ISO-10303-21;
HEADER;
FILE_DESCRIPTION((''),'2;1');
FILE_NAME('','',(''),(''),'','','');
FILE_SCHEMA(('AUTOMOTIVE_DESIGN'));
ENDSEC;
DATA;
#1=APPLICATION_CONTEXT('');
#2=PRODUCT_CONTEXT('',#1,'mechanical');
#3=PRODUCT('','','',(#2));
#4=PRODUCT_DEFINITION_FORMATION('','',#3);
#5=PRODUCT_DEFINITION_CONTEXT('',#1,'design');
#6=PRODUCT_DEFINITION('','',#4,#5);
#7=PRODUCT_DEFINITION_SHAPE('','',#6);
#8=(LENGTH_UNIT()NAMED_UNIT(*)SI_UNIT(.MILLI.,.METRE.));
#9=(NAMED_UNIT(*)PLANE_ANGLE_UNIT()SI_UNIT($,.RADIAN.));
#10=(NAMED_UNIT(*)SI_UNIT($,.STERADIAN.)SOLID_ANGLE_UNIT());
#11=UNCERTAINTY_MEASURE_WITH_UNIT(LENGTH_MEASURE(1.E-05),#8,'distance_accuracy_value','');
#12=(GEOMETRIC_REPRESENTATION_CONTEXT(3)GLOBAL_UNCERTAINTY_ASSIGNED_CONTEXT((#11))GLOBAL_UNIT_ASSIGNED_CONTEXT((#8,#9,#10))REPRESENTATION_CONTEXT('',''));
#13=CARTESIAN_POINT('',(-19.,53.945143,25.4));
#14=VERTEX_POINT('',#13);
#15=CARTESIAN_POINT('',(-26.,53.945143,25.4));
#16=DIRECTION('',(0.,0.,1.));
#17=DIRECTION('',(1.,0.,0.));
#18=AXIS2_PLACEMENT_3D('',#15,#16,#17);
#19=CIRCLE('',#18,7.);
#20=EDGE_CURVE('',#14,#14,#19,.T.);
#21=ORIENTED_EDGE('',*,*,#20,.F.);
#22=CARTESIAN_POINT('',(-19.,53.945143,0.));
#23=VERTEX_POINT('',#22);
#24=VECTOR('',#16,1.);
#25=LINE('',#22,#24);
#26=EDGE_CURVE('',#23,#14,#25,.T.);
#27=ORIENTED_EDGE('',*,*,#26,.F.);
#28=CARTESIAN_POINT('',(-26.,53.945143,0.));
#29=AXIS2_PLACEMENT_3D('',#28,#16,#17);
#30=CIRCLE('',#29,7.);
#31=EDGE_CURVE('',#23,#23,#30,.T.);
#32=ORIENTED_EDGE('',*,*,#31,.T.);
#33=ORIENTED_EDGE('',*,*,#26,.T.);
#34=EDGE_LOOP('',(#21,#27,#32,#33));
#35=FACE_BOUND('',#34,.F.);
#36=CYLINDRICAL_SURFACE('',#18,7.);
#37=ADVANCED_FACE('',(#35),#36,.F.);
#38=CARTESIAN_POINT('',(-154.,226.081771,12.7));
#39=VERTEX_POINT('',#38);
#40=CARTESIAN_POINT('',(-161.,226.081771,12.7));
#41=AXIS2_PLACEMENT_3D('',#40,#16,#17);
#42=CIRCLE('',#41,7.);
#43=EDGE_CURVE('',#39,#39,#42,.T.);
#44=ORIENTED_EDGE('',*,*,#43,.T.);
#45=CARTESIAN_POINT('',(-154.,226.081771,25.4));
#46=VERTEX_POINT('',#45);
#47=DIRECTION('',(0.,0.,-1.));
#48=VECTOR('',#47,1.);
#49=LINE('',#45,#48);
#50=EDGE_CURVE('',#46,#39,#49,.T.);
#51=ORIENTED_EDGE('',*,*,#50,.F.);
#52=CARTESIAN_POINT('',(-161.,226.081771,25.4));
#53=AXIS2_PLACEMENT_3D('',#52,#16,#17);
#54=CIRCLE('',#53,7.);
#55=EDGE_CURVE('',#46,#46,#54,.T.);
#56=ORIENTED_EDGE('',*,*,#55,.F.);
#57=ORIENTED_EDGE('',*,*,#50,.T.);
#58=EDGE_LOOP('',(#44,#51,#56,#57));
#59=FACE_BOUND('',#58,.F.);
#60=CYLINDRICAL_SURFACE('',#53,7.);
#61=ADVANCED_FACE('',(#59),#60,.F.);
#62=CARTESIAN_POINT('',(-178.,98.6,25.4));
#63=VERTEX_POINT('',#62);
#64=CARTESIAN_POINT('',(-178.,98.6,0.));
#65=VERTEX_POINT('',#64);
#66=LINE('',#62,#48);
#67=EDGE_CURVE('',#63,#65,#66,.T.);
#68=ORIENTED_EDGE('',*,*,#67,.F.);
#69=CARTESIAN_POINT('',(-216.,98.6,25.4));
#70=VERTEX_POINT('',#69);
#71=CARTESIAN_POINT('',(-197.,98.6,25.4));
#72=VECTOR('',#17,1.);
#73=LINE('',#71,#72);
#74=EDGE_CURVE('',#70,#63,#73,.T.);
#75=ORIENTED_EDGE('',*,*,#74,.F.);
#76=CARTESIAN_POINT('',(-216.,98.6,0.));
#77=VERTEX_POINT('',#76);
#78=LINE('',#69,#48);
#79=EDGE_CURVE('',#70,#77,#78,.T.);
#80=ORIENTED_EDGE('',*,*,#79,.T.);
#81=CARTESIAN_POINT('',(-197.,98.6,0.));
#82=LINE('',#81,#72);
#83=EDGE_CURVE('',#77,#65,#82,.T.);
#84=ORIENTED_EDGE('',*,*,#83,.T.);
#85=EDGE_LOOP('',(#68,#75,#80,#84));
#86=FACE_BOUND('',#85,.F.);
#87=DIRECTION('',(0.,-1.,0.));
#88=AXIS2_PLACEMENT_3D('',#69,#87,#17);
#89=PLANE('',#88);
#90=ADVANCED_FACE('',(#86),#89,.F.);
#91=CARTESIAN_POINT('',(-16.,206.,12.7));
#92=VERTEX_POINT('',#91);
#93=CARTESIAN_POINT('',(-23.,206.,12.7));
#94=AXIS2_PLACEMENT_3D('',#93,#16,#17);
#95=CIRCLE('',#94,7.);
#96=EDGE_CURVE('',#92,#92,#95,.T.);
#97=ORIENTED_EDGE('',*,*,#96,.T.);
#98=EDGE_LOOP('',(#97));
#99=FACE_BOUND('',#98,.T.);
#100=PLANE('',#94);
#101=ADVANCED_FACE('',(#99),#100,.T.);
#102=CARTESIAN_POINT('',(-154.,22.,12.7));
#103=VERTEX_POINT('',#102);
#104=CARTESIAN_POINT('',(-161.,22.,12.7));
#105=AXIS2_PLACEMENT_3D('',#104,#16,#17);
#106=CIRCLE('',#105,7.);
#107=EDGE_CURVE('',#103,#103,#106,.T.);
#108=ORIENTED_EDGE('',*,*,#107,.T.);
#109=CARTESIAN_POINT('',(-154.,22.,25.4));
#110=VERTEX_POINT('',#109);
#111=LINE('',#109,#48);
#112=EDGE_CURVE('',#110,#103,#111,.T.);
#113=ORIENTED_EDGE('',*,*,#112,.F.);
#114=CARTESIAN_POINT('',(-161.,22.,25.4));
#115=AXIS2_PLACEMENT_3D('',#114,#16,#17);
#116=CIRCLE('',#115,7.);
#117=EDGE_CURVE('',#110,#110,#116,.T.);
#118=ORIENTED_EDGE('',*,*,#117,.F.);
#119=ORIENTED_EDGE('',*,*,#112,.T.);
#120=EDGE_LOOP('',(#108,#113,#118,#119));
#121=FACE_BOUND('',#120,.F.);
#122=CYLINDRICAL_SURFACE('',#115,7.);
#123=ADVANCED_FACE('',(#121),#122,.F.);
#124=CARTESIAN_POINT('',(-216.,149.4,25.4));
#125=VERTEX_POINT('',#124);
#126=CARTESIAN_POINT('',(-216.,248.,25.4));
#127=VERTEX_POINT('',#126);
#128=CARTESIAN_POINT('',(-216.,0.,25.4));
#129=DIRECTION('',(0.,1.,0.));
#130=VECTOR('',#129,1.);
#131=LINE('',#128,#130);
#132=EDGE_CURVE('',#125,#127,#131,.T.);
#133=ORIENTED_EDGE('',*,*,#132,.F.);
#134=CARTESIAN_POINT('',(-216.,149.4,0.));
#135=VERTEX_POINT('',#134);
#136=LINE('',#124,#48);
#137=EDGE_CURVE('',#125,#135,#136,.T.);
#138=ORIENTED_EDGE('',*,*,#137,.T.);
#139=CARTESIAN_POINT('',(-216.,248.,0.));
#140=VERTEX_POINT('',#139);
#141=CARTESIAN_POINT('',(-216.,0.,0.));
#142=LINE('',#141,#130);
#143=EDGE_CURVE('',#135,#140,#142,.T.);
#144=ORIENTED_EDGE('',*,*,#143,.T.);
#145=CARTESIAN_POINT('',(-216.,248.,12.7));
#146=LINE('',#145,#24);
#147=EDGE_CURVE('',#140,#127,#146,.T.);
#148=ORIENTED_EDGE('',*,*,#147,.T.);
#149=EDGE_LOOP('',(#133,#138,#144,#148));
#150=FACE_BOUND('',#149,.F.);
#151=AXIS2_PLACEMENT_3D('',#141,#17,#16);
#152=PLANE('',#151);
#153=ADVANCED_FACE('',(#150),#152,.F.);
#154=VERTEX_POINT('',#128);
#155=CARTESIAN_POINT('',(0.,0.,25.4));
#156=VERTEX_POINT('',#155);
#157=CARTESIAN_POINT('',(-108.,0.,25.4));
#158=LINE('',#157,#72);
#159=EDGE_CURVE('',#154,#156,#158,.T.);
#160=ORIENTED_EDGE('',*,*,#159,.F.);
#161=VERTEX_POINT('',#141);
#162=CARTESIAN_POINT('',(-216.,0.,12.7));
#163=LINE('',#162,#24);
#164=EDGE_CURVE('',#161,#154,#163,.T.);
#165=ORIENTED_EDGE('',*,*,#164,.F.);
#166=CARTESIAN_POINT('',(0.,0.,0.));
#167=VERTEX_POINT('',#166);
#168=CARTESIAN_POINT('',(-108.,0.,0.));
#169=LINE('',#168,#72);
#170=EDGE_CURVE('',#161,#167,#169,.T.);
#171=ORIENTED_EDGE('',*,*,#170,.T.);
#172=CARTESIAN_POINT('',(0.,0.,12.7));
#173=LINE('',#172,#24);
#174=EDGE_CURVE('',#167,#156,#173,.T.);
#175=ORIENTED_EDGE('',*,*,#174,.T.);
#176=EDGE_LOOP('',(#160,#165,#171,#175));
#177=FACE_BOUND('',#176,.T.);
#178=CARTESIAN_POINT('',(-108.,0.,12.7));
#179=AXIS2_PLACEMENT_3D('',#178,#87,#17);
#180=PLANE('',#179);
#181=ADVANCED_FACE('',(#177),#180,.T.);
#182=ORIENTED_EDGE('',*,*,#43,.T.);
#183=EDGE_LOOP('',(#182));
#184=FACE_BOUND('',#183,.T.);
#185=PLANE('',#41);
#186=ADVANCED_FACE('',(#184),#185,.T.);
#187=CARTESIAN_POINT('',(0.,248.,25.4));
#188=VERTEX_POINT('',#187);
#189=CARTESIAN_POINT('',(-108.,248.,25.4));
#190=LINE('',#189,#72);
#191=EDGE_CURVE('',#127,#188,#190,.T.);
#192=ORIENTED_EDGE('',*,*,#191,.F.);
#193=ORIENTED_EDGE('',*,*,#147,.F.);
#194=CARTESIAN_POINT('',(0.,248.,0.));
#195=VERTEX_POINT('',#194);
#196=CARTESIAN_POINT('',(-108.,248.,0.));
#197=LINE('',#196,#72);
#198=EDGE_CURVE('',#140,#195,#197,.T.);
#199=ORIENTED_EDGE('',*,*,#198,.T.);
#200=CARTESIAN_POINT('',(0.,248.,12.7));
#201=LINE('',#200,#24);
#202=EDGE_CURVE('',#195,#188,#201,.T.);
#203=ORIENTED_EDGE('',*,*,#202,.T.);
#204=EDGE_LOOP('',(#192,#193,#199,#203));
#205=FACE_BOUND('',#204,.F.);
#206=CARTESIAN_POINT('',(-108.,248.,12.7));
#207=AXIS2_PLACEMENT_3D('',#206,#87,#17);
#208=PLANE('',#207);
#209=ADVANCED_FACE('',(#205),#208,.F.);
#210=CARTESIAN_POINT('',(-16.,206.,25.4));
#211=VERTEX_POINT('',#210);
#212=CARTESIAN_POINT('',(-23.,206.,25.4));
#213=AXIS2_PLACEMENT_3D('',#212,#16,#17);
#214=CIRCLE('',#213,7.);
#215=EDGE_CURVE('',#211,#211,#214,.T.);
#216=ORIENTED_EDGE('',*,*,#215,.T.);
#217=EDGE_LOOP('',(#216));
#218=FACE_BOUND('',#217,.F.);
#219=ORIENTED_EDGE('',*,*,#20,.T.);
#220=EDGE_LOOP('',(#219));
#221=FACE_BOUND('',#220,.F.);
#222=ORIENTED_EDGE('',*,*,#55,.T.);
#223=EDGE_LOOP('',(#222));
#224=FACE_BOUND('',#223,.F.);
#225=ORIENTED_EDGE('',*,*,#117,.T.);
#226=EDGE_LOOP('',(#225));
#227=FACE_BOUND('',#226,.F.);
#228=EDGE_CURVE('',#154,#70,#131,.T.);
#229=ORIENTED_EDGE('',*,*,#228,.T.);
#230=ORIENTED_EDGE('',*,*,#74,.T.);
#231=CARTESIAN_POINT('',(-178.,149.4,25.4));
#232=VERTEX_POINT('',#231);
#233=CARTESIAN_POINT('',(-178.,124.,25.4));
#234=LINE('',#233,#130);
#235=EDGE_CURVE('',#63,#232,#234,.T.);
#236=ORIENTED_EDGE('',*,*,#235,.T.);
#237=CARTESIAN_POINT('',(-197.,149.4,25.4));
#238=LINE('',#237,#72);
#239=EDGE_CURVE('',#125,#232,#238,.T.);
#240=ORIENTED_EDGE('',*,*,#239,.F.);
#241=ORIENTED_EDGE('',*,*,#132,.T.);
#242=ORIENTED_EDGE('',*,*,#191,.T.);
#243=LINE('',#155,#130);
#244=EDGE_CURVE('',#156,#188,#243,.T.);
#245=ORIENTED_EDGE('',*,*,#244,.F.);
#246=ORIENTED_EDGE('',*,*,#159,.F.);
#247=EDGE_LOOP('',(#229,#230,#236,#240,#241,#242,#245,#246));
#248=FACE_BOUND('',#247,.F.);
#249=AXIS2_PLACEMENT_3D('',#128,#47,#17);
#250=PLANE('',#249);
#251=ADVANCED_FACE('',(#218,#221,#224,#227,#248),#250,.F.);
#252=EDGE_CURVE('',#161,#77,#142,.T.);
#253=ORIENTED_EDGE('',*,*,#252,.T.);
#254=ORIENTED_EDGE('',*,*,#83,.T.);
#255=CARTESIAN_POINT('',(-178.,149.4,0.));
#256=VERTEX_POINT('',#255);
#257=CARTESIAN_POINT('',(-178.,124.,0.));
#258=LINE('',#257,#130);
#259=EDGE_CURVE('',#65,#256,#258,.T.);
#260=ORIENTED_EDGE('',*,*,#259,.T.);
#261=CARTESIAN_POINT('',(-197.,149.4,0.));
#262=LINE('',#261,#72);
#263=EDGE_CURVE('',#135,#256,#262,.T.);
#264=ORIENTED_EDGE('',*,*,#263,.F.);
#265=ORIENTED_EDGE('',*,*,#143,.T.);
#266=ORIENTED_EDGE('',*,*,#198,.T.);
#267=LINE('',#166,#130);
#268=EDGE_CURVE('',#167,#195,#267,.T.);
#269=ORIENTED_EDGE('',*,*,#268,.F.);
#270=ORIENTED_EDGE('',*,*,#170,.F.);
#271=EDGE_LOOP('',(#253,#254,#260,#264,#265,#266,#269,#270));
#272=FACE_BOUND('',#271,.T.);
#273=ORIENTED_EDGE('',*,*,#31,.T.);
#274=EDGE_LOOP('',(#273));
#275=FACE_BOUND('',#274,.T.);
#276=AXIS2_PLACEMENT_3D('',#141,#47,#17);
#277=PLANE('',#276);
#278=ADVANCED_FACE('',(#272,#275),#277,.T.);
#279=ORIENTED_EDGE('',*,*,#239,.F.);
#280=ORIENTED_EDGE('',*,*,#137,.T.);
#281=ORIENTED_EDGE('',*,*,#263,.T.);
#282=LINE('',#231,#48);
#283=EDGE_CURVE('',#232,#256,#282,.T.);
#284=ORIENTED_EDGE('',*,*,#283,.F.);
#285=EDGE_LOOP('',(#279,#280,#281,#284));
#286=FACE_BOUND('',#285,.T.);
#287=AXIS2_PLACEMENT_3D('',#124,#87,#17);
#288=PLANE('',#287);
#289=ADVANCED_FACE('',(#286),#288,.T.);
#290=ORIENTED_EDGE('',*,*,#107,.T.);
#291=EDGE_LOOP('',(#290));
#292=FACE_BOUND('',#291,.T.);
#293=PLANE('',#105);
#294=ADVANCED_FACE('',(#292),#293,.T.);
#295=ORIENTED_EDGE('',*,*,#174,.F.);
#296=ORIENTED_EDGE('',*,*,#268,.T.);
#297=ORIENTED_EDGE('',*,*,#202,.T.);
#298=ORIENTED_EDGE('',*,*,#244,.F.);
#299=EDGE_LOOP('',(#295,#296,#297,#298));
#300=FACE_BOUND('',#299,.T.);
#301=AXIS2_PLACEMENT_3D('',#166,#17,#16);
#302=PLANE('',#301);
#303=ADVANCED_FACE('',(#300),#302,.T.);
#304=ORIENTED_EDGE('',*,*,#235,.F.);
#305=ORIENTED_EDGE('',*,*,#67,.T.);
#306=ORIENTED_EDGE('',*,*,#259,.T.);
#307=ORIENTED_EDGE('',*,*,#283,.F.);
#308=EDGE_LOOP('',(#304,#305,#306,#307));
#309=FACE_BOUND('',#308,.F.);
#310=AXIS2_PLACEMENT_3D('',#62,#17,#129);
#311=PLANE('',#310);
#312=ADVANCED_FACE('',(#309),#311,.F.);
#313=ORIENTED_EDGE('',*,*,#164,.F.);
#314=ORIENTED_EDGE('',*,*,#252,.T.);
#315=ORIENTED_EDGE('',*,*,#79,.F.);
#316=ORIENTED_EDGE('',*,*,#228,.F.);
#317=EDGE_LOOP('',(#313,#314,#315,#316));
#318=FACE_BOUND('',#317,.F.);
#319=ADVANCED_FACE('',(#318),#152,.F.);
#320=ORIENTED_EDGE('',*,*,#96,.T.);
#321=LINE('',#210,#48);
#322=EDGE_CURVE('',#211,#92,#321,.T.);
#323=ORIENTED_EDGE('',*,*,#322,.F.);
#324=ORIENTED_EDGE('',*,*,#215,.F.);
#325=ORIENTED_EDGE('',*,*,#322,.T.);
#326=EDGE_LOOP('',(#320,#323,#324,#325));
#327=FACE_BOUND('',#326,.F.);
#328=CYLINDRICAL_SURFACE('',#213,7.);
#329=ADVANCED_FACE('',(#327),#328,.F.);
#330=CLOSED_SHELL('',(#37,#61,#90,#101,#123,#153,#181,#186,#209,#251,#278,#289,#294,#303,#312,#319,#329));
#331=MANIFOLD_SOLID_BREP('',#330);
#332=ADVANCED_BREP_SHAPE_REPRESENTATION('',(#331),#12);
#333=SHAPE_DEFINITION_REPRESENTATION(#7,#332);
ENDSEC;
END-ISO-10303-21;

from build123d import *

# Parameters (mm, degrees)
F0_W     = 216
F0_H     = 25.4
F1_DEPTH = 248
F2_R     = 7
F3_DEPTH = 12.7
F4_W     = 38
F4_H     = 50.8
F4_R     = 7
F5_DEPTH = 25.4


with BuildPart() as f1:
    # F0 (on Front) → F1 (new body)
    with BuildSketch(Plane.XZ):
        with Locations((-108, 12.7)):
            Rectangle(F0_W, F0_H)
    extrude(amount=-F1_DEPTH)

    # F2 (on face) → F3 (cut)
    with BuildSketch(Plane.XY.offset(25.4)):
        with Locations((-161, 226.081771)):
            Circle(F2_R)
        with Locations((-161, 22)):
            Circle(F2_R)
        with Locations((-23, 206)):
            Circle(F2_R)
        with Locations((-26, 53.945143)):
            Circle(F2_R)
    extrude(amount=-F3_DEPTH, mode=Mode.SUBTRACT)

    # F4 (on face) → F5 (cut, through all)
    with BuildSketch(Plane.XY.offset(25.4)):
        with Locations((-197, 124)):
            Rectangle(F4_W, F4_H)
        with Locations((-26, 53.945143)):
            Circle(F4_R)
    extrude(amount=-F5_DEPTH, mode=Mode.SUBTRACT)


solid = f1.part
